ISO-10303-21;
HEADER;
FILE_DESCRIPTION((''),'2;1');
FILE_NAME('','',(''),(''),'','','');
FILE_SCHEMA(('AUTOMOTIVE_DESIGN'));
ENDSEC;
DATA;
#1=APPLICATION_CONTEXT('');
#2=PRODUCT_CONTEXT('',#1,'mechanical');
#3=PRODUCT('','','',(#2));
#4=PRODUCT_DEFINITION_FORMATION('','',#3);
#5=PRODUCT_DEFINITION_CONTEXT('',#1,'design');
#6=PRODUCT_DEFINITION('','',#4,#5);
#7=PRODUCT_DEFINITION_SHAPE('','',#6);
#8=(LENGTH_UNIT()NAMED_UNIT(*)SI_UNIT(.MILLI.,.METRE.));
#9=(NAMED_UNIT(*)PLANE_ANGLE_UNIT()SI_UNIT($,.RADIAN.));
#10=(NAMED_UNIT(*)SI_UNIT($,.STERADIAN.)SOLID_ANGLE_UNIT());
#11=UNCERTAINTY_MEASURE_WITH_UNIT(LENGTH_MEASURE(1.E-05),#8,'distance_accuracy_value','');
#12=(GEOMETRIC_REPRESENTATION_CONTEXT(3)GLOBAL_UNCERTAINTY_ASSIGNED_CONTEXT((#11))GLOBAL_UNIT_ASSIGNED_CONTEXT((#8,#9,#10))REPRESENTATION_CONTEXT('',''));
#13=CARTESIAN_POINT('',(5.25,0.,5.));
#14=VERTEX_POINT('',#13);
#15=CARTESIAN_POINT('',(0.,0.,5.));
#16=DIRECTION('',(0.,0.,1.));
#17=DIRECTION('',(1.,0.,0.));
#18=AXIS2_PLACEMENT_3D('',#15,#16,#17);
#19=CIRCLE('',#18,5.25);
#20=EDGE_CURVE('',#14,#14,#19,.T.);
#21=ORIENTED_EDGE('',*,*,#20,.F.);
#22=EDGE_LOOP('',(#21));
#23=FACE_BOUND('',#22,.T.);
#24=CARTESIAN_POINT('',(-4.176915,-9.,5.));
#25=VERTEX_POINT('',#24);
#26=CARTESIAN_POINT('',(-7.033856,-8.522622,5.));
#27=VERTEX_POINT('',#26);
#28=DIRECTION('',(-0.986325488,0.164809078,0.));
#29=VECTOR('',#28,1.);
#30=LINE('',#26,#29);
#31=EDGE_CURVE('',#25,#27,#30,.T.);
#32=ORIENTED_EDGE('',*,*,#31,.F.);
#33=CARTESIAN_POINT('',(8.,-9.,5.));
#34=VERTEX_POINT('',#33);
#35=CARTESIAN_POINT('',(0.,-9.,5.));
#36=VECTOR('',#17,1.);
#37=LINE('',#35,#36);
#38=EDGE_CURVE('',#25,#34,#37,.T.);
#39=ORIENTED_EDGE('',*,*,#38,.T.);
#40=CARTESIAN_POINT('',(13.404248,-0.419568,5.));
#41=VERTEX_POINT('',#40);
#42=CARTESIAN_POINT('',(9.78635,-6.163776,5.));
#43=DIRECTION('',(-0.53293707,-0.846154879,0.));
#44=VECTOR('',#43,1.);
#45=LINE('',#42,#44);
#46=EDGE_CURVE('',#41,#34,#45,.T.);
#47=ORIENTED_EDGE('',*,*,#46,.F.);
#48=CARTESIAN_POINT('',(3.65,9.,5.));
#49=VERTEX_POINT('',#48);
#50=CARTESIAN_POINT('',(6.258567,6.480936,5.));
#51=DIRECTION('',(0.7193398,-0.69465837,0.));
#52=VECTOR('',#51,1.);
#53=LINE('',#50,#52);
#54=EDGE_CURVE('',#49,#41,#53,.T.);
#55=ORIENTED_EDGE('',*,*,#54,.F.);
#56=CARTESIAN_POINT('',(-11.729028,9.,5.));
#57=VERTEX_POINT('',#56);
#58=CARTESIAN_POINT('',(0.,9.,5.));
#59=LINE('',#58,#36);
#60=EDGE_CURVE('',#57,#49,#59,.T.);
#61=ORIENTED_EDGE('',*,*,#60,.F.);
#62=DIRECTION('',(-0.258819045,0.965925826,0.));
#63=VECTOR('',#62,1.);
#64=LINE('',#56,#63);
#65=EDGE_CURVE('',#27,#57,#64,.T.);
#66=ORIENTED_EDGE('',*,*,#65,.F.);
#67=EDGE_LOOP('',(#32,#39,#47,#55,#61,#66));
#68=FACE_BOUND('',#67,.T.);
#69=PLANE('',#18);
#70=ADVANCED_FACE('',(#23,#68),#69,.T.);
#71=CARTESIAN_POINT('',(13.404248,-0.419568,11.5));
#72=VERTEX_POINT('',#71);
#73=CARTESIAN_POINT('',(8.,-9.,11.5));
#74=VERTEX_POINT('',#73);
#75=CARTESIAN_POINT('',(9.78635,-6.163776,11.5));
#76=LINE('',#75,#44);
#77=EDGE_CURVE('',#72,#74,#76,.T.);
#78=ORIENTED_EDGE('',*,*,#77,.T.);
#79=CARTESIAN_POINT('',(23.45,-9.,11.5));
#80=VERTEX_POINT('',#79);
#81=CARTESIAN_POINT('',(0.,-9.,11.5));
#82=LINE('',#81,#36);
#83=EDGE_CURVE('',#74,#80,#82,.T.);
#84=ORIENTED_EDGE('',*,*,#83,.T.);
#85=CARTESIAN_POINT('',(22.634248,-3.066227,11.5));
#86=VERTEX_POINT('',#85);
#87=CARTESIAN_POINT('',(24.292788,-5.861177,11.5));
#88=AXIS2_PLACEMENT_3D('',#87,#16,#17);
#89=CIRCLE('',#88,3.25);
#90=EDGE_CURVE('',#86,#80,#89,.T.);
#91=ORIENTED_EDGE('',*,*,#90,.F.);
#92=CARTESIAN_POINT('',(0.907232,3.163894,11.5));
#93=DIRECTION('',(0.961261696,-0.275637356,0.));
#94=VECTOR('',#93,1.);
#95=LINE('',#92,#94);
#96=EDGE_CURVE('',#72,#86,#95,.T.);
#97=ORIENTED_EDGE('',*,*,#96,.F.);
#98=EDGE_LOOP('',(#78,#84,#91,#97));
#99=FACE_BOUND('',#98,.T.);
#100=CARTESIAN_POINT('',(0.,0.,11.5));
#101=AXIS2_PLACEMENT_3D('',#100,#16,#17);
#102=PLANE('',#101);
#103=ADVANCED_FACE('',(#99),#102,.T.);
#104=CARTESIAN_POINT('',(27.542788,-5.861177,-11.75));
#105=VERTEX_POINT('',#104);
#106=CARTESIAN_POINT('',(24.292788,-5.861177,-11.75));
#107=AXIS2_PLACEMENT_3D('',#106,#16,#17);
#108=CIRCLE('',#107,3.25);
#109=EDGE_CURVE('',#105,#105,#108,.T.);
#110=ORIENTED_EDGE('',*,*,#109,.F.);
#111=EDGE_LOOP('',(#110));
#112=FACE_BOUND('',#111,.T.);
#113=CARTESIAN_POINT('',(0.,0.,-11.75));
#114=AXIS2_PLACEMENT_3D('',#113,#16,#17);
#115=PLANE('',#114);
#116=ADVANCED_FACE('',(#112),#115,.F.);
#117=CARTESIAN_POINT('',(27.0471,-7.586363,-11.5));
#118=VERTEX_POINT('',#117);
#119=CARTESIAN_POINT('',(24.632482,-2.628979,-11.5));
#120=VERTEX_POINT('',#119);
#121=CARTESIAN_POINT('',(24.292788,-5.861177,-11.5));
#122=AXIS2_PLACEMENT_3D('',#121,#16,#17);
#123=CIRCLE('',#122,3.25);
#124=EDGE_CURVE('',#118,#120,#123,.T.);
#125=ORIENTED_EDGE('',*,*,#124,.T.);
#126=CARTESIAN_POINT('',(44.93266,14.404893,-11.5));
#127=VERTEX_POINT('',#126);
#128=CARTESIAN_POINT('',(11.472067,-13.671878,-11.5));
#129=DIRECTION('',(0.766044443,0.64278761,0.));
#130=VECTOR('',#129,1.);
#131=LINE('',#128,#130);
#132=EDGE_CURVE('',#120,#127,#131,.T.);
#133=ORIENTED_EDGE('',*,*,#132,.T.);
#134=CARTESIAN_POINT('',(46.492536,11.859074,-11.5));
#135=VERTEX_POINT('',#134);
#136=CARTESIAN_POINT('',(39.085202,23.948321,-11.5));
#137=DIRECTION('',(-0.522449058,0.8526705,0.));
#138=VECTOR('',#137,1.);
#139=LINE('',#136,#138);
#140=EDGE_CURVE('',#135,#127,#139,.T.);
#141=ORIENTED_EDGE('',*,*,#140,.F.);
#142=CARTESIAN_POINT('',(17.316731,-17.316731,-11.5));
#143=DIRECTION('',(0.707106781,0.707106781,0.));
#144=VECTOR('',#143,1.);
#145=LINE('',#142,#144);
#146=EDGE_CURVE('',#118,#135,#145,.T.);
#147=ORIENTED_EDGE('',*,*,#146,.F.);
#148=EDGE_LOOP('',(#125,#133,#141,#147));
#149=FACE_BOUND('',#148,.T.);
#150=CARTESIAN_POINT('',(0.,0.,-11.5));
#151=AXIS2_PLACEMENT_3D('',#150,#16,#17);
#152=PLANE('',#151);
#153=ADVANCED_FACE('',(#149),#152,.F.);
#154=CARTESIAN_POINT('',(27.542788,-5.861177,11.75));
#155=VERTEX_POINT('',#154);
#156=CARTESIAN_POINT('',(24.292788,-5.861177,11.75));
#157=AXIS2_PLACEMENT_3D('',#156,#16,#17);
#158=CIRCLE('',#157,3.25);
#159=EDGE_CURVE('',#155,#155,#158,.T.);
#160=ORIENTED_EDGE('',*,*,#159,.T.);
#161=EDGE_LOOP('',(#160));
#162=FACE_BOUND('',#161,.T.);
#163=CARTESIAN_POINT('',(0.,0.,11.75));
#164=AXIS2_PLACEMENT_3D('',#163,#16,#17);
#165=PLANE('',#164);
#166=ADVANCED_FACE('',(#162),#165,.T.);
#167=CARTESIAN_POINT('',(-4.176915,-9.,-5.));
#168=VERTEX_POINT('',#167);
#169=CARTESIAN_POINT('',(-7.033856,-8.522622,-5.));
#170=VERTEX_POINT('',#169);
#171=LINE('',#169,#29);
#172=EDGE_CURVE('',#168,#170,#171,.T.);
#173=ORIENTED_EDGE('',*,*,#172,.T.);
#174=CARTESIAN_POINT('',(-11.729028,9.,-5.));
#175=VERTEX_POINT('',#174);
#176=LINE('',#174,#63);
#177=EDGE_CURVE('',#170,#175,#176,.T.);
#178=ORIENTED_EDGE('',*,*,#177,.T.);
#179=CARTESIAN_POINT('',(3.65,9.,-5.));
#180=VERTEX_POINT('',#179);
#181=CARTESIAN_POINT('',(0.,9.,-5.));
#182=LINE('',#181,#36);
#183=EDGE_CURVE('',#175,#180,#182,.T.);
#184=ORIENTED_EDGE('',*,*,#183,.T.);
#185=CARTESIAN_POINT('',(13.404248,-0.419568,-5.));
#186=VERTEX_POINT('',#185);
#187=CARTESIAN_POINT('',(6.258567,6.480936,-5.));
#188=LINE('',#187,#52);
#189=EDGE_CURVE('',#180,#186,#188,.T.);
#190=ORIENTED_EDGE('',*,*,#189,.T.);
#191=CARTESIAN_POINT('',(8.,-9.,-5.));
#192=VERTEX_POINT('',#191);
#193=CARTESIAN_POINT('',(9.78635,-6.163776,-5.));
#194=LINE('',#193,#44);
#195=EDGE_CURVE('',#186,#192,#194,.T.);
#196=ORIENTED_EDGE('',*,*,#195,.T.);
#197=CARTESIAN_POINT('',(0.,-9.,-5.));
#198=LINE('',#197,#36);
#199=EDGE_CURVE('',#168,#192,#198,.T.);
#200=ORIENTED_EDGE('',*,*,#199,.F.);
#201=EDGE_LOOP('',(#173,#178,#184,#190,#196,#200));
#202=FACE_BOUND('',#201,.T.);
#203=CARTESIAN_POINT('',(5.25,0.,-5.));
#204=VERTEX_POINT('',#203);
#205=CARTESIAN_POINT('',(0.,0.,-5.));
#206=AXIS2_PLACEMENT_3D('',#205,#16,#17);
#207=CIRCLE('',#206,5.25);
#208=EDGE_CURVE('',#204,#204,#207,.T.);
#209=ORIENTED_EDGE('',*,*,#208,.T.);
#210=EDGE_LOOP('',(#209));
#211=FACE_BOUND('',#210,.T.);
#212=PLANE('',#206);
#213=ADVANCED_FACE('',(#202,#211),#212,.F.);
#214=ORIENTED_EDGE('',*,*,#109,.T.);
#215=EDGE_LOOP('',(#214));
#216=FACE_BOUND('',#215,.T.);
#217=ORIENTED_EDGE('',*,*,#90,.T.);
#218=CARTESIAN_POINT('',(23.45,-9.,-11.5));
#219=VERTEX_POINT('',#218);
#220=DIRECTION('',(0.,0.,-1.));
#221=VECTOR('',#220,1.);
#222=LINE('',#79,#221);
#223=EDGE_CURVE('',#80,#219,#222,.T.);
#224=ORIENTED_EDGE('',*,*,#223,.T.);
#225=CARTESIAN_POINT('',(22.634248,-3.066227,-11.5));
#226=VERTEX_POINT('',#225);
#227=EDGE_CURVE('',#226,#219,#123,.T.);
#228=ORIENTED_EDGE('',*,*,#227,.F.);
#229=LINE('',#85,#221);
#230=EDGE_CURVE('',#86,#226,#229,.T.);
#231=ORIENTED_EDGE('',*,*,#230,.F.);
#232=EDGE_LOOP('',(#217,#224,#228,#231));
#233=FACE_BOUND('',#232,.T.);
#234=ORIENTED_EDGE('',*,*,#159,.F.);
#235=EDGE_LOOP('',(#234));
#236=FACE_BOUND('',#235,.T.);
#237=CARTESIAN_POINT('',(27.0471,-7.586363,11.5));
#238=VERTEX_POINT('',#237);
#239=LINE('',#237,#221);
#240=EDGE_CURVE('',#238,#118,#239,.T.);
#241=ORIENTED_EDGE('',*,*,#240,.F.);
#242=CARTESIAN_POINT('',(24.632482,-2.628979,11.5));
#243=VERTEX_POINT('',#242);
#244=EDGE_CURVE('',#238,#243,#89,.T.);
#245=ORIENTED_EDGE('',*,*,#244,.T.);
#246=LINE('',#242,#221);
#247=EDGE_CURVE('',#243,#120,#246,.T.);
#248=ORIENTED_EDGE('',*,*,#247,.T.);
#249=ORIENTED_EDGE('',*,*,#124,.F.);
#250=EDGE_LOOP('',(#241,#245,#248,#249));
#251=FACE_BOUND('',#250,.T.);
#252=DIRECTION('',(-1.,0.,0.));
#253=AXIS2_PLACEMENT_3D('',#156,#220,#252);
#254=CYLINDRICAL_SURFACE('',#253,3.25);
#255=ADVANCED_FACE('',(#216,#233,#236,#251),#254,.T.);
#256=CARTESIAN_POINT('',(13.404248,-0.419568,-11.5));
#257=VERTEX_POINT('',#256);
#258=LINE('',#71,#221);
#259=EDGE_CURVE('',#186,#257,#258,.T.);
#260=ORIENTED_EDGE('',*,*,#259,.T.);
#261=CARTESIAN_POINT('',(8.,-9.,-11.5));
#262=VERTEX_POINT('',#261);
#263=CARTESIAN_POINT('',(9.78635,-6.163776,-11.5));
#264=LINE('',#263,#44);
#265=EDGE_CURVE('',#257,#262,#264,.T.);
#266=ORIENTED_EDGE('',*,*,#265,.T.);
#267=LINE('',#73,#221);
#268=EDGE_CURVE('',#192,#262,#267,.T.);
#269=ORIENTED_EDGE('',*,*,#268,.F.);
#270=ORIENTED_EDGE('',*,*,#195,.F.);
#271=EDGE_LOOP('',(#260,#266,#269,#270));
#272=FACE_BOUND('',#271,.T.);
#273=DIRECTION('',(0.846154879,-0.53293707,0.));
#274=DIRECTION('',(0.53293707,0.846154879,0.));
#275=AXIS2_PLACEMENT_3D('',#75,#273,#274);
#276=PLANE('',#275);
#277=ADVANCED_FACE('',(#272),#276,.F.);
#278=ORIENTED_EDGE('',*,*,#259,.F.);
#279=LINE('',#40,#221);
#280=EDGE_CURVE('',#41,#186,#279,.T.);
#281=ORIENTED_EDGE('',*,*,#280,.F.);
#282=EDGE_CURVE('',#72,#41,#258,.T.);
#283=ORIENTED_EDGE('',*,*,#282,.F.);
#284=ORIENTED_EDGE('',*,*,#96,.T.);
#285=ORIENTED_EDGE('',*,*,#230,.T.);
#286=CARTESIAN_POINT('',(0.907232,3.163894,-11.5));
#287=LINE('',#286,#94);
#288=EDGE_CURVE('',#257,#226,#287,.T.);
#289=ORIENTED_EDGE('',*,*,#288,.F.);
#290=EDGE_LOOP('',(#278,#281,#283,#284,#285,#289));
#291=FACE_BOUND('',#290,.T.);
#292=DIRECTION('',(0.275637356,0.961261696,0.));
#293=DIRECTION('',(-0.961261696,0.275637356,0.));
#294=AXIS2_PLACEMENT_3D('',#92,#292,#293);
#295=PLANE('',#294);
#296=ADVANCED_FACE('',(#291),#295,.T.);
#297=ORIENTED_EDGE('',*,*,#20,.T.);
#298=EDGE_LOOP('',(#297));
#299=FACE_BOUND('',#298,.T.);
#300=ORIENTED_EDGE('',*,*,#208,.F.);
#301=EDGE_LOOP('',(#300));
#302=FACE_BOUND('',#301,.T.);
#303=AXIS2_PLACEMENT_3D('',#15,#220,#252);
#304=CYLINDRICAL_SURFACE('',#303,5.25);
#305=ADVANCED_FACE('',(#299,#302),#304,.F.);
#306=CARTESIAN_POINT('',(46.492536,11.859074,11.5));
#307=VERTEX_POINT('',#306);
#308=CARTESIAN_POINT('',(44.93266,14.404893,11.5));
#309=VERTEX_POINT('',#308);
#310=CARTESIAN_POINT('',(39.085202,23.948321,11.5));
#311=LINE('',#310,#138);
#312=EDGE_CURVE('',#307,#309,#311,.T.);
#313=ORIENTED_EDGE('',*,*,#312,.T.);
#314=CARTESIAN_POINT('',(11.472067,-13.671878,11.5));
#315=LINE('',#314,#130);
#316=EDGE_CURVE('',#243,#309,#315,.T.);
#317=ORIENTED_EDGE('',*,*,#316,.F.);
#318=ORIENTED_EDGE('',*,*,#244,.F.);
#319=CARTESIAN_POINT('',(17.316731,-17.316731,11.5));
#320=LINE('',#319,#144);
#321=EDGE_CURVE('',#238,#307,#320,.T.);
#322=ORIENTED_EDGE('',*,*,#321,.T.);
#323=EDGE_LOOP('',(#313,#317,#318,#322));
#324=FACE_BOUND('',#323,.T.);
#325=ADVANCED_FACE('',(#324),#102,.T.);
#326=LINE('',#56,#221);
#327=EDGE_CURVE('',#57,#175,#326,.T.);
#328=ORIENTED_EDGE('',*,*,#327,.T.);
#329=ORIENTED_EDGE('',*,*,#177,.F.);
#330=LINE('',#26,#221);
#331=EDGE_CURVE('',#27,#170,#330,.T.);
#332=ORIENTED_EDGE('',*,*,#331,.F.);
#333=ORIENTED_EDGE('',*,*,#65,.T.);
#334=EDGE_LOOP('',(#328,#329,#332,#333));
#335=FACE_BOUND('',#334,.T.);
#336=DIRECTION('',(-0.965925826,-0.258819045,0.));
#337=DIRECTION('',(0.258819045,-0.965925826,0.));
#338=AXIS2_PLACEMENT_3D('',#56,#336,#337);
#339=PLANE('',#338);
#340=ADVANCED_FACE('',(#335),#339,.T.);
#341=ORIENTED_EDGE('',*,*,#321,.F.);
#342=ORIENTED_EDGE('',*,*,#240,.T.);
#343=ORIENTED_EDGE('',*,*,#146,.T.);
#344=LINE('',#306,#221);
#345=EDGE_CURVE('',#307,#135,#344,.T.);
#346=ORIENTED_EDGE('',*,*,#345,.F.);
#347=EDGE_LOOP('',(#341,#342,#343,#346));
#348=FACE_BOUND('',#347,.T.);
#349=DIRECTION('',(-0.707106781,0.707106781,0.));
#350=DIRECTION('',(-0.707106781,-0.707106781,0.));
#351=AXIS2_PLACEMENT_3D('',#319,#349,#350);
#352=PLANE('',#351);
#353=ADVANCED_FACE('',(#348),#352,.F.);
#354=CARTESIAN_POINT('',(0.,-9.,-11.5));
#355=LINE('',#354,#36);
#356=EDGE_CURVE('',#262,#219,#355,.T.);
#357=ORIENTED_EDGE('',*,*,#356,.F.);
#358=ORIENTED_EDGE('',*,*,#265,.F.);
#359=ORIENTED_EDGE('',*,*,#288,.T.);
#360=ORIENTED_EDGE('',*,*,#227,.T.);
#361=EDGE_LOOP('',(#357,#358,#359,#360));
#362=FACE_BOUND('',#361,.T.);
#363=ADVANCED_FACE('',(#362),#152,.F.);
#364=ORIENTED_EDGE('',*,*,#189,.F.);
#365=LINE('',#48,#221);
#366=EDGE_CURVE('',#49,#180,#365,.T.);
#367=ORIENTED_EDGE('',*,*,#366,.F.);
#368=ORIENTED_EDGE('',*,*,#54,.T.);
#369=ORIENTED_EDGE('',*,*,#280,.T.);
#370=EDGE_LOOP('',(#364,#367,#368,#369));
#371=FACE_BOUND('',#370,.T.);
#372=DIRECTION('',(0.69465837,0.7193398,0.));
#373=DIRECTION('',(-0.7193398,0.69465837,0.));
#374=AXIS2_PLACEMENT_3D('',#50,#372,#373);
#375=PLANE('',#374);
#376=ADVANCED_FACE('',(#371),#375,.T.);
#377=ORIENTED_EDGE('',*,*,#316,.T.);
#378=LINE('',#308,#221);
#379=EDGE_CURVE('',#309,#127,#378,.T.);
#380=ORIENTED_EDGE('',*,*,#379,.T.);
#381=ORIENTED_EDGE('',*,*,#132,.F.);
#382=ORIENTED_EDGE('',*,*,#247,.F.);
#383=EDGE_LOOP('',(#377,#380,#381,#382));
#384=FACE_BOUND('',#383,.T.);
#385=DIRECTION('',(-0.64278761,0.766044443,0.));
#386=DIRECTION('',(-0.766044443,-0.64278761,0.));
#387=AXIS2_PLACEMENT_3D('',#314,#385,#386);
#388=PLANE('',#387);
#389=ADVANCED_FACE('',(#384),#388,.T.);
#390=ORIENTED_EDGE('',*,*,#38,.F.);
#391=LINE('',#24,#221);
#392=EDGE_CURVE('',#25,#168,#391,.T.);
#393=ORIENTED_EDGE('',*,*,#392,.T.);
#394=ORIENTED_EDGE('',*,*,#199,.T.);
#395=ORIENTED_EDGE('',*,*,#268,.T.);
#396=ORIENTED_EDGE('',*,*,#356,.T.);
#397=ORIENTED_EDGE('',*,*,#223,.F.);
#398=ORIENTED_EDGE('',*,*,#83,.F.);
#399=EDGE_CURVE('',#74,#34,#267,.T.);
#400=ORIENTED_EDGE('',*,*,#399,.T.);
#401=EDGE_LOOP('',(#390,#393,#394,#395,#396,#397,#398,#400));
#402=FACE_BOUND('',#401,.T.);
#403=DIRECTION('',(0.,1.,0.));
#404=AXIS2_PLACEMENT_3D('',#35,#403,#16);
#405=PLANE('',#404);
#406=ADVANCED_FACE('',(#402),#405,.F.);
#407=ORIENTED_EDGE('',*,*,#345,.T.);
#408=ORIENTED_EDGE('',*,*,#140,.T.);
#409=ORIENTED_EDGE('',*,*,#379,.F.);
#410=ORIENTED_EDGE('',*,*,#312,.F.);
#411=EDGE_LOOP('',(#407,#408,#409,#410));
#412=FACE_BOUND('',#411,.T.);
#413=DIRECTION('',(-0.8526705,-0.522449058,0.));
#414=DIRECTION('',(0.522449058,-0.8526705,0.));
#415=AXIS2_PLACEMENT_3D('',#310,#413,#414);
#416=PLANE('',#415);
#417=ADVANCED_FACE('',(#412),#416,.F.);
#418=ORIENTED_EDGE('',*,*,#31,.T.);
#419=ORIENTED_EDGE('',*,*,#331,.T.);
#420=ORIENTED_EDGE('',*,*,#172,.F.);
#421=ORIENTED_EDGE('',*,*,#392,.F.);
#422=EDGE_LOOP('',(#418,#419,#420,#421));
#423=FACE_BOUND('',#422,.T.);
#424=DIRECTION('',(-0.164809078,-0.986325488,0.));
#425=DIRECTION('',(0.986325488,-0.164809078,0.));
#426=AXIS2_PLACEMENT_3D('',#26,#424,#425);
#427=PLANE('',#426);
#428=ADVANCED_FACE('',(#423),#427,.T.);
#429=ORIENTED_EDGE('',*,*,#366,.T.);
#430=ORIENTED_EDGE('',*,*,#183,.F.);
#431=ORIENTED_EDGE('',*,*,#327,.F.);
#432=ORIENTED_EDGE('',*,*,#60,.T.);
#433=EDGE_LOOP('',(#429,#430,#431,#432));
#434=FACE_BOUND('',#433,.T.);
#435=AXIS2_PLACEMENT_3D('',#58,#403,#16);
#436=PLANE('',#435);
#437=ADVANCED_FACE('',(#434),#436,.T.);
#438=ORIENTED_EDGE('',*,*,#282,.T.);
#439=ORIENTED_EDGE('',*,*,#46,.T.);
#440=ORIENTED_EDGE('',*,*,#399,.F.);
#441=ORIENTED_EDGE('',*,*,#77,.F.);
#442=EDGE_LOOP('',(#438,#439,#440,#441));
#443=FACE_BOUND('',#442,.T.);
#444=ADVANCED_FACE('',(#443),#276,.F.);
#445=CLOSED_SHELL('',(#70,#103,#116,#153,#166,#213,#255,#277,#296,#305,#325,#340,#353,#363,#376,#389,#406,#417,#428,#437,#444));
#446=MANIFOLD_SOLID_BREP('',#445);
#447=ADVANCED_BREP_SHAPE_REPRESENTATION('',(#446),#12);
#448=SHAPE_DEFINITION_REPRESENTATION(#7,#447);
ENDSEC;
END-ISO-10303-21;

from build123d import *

# Parameters (mm, degrees)
SKETCH2_R           = 5.25
BOSS_EXTRUDE1_DEPTH = 5
BOSS_EXTRUDE2_DEPTH = 11.5
BOSS_EXTRUDE3_DEPTH = 11.75
CUT_EXTRUDE1_DEPTH  = 10
BOSS_EXTRUDE4_DEPTH = 10


with BuildPart() as part:
    # Sketch2 → Boss-Extrude1 (new, symmetric)
    with BuildSketch(Plane.XY):
        Polygon((3.65, 9), (-9, 9), (-9, -9), (8, -9), (13.404247693, -0.419567503), align=None)
        Circle(SKETCH2_R, mode=Mode.SUBTRACT)
    extrude(amount=BOSS_EXTRUDE1_DEPTH, both=True)

    # Sketch2<15> → Boss-Extrude2 (add, symmetric)
    with BuildSketch(Plane.XY):
        with BuildLine():
            Line((13.404247693, -0.419567503), (8, -9))
            Line((8, -9), (23.45, -9))
            ThreePointArc((23.45, -9), (21.073071329, -6.303811499), (22.634247693, -3.066227414))
            Line((22.634247693, -3.066227414), (13.404247693, -0.419567503))
        make_face()
        with BuildLine():
            ThreePointArc((24.632481869, -2.628978571), (27.214625143, -4.438023244), (27.047099939, -7.586362779))
            Line((27.047099939, -7.586362779), (46.492536422, 11.859073704))
            Line((46.492536422, 11.859073704), (44.932659612, 14.404893086))
            Line((44.932659612, 14.404893086), (24.632481869, -2.628978571))
        make_face()
    extrude(amount=BOSS_EXTRUDE2_DEPTH, both=True)


with BuildPart() as boss_extrude2_piece_1:
    # of the separate pieces the step leaves, piece 1, a body of its own (boss_extrude2_pieces)
    add(part.part.solids().sort_by_distance((22.634247693, -3.066227414, -11.5))[0])



with BuildPart() as boss_extrude2_piece_2:
    # of the separate pieces the step leaves, piece 2, a body of its own (boss_extrude2_pieces)
    add(part.part.solids().sort_by_distance((24.632481869, -2.628978571, -11.5))[0])


with BuildPart() as boss_extrude2_piece_1_1:
    add(boss_extrude2_piece_1.part)

    add(boss_extrude2_piece_2.part)  # Boss-Extrude3 merges Boss-Extrude2 piece 2
    # Sketch2<16> → Boss-Extrude3 (add, symmetric)
    with BuildSketch(Plane.XY):
        with BuildLine():
            ThreePointArc((22.634247693, -3.066227414), (21.073071329, -6.303811499), (23.45, -9))
            ThreePointArc((23.45, -9), (25.48151566, -8.885979074), (27.047099939, -7.586362779))
            ThreePointArc((27.047099939, -7.586362779), (27.416408735, -6.7586698), (27.542787913, -5.861177206))
            ThreePointArc((27.542787913, -5.861177206), (26.708000673, -3.686493937), (24.632481869, -2.628978571))
            ThreePointArc((24.632481869, -2.628978571), (23.598068182, -2.686296972), (22.634247693, -3.066227414))
        make_face()
    extrude(amount=BOSS_EXTRUDE3_DEPTH, both=True)

    # Sketch3 → Cut-Extrude1 (cut)
    with BuildSketch(Plane(origin=(0, 0, -5), x_dir=(-1, 0, 0), z_dir=(0, 0, -1))):
        Polygon((9, 9), (9, -9), (4.176914536, -9), align=None)
    extrude(amount=-CUT_EXTRUDE1_DEPTH, mode=Mode.SUBTRACT)

    # Sketch4 → Boss-Extrude4 (add)
    with BuildSketch(Plane(origin=(0, 0, -5), x_dir=(-1, 0, 0), z_dir=(0, 0, -1))):
        Polygon((9, 9), (11.729028356, 9), (7.033855882, -8.522622223), (4.176914536, -9), align=None)
    extrude(amount=-BOSS_EXTRUDE4_DEPTH)


solid = boss_extrude2_piece_1_1.part
